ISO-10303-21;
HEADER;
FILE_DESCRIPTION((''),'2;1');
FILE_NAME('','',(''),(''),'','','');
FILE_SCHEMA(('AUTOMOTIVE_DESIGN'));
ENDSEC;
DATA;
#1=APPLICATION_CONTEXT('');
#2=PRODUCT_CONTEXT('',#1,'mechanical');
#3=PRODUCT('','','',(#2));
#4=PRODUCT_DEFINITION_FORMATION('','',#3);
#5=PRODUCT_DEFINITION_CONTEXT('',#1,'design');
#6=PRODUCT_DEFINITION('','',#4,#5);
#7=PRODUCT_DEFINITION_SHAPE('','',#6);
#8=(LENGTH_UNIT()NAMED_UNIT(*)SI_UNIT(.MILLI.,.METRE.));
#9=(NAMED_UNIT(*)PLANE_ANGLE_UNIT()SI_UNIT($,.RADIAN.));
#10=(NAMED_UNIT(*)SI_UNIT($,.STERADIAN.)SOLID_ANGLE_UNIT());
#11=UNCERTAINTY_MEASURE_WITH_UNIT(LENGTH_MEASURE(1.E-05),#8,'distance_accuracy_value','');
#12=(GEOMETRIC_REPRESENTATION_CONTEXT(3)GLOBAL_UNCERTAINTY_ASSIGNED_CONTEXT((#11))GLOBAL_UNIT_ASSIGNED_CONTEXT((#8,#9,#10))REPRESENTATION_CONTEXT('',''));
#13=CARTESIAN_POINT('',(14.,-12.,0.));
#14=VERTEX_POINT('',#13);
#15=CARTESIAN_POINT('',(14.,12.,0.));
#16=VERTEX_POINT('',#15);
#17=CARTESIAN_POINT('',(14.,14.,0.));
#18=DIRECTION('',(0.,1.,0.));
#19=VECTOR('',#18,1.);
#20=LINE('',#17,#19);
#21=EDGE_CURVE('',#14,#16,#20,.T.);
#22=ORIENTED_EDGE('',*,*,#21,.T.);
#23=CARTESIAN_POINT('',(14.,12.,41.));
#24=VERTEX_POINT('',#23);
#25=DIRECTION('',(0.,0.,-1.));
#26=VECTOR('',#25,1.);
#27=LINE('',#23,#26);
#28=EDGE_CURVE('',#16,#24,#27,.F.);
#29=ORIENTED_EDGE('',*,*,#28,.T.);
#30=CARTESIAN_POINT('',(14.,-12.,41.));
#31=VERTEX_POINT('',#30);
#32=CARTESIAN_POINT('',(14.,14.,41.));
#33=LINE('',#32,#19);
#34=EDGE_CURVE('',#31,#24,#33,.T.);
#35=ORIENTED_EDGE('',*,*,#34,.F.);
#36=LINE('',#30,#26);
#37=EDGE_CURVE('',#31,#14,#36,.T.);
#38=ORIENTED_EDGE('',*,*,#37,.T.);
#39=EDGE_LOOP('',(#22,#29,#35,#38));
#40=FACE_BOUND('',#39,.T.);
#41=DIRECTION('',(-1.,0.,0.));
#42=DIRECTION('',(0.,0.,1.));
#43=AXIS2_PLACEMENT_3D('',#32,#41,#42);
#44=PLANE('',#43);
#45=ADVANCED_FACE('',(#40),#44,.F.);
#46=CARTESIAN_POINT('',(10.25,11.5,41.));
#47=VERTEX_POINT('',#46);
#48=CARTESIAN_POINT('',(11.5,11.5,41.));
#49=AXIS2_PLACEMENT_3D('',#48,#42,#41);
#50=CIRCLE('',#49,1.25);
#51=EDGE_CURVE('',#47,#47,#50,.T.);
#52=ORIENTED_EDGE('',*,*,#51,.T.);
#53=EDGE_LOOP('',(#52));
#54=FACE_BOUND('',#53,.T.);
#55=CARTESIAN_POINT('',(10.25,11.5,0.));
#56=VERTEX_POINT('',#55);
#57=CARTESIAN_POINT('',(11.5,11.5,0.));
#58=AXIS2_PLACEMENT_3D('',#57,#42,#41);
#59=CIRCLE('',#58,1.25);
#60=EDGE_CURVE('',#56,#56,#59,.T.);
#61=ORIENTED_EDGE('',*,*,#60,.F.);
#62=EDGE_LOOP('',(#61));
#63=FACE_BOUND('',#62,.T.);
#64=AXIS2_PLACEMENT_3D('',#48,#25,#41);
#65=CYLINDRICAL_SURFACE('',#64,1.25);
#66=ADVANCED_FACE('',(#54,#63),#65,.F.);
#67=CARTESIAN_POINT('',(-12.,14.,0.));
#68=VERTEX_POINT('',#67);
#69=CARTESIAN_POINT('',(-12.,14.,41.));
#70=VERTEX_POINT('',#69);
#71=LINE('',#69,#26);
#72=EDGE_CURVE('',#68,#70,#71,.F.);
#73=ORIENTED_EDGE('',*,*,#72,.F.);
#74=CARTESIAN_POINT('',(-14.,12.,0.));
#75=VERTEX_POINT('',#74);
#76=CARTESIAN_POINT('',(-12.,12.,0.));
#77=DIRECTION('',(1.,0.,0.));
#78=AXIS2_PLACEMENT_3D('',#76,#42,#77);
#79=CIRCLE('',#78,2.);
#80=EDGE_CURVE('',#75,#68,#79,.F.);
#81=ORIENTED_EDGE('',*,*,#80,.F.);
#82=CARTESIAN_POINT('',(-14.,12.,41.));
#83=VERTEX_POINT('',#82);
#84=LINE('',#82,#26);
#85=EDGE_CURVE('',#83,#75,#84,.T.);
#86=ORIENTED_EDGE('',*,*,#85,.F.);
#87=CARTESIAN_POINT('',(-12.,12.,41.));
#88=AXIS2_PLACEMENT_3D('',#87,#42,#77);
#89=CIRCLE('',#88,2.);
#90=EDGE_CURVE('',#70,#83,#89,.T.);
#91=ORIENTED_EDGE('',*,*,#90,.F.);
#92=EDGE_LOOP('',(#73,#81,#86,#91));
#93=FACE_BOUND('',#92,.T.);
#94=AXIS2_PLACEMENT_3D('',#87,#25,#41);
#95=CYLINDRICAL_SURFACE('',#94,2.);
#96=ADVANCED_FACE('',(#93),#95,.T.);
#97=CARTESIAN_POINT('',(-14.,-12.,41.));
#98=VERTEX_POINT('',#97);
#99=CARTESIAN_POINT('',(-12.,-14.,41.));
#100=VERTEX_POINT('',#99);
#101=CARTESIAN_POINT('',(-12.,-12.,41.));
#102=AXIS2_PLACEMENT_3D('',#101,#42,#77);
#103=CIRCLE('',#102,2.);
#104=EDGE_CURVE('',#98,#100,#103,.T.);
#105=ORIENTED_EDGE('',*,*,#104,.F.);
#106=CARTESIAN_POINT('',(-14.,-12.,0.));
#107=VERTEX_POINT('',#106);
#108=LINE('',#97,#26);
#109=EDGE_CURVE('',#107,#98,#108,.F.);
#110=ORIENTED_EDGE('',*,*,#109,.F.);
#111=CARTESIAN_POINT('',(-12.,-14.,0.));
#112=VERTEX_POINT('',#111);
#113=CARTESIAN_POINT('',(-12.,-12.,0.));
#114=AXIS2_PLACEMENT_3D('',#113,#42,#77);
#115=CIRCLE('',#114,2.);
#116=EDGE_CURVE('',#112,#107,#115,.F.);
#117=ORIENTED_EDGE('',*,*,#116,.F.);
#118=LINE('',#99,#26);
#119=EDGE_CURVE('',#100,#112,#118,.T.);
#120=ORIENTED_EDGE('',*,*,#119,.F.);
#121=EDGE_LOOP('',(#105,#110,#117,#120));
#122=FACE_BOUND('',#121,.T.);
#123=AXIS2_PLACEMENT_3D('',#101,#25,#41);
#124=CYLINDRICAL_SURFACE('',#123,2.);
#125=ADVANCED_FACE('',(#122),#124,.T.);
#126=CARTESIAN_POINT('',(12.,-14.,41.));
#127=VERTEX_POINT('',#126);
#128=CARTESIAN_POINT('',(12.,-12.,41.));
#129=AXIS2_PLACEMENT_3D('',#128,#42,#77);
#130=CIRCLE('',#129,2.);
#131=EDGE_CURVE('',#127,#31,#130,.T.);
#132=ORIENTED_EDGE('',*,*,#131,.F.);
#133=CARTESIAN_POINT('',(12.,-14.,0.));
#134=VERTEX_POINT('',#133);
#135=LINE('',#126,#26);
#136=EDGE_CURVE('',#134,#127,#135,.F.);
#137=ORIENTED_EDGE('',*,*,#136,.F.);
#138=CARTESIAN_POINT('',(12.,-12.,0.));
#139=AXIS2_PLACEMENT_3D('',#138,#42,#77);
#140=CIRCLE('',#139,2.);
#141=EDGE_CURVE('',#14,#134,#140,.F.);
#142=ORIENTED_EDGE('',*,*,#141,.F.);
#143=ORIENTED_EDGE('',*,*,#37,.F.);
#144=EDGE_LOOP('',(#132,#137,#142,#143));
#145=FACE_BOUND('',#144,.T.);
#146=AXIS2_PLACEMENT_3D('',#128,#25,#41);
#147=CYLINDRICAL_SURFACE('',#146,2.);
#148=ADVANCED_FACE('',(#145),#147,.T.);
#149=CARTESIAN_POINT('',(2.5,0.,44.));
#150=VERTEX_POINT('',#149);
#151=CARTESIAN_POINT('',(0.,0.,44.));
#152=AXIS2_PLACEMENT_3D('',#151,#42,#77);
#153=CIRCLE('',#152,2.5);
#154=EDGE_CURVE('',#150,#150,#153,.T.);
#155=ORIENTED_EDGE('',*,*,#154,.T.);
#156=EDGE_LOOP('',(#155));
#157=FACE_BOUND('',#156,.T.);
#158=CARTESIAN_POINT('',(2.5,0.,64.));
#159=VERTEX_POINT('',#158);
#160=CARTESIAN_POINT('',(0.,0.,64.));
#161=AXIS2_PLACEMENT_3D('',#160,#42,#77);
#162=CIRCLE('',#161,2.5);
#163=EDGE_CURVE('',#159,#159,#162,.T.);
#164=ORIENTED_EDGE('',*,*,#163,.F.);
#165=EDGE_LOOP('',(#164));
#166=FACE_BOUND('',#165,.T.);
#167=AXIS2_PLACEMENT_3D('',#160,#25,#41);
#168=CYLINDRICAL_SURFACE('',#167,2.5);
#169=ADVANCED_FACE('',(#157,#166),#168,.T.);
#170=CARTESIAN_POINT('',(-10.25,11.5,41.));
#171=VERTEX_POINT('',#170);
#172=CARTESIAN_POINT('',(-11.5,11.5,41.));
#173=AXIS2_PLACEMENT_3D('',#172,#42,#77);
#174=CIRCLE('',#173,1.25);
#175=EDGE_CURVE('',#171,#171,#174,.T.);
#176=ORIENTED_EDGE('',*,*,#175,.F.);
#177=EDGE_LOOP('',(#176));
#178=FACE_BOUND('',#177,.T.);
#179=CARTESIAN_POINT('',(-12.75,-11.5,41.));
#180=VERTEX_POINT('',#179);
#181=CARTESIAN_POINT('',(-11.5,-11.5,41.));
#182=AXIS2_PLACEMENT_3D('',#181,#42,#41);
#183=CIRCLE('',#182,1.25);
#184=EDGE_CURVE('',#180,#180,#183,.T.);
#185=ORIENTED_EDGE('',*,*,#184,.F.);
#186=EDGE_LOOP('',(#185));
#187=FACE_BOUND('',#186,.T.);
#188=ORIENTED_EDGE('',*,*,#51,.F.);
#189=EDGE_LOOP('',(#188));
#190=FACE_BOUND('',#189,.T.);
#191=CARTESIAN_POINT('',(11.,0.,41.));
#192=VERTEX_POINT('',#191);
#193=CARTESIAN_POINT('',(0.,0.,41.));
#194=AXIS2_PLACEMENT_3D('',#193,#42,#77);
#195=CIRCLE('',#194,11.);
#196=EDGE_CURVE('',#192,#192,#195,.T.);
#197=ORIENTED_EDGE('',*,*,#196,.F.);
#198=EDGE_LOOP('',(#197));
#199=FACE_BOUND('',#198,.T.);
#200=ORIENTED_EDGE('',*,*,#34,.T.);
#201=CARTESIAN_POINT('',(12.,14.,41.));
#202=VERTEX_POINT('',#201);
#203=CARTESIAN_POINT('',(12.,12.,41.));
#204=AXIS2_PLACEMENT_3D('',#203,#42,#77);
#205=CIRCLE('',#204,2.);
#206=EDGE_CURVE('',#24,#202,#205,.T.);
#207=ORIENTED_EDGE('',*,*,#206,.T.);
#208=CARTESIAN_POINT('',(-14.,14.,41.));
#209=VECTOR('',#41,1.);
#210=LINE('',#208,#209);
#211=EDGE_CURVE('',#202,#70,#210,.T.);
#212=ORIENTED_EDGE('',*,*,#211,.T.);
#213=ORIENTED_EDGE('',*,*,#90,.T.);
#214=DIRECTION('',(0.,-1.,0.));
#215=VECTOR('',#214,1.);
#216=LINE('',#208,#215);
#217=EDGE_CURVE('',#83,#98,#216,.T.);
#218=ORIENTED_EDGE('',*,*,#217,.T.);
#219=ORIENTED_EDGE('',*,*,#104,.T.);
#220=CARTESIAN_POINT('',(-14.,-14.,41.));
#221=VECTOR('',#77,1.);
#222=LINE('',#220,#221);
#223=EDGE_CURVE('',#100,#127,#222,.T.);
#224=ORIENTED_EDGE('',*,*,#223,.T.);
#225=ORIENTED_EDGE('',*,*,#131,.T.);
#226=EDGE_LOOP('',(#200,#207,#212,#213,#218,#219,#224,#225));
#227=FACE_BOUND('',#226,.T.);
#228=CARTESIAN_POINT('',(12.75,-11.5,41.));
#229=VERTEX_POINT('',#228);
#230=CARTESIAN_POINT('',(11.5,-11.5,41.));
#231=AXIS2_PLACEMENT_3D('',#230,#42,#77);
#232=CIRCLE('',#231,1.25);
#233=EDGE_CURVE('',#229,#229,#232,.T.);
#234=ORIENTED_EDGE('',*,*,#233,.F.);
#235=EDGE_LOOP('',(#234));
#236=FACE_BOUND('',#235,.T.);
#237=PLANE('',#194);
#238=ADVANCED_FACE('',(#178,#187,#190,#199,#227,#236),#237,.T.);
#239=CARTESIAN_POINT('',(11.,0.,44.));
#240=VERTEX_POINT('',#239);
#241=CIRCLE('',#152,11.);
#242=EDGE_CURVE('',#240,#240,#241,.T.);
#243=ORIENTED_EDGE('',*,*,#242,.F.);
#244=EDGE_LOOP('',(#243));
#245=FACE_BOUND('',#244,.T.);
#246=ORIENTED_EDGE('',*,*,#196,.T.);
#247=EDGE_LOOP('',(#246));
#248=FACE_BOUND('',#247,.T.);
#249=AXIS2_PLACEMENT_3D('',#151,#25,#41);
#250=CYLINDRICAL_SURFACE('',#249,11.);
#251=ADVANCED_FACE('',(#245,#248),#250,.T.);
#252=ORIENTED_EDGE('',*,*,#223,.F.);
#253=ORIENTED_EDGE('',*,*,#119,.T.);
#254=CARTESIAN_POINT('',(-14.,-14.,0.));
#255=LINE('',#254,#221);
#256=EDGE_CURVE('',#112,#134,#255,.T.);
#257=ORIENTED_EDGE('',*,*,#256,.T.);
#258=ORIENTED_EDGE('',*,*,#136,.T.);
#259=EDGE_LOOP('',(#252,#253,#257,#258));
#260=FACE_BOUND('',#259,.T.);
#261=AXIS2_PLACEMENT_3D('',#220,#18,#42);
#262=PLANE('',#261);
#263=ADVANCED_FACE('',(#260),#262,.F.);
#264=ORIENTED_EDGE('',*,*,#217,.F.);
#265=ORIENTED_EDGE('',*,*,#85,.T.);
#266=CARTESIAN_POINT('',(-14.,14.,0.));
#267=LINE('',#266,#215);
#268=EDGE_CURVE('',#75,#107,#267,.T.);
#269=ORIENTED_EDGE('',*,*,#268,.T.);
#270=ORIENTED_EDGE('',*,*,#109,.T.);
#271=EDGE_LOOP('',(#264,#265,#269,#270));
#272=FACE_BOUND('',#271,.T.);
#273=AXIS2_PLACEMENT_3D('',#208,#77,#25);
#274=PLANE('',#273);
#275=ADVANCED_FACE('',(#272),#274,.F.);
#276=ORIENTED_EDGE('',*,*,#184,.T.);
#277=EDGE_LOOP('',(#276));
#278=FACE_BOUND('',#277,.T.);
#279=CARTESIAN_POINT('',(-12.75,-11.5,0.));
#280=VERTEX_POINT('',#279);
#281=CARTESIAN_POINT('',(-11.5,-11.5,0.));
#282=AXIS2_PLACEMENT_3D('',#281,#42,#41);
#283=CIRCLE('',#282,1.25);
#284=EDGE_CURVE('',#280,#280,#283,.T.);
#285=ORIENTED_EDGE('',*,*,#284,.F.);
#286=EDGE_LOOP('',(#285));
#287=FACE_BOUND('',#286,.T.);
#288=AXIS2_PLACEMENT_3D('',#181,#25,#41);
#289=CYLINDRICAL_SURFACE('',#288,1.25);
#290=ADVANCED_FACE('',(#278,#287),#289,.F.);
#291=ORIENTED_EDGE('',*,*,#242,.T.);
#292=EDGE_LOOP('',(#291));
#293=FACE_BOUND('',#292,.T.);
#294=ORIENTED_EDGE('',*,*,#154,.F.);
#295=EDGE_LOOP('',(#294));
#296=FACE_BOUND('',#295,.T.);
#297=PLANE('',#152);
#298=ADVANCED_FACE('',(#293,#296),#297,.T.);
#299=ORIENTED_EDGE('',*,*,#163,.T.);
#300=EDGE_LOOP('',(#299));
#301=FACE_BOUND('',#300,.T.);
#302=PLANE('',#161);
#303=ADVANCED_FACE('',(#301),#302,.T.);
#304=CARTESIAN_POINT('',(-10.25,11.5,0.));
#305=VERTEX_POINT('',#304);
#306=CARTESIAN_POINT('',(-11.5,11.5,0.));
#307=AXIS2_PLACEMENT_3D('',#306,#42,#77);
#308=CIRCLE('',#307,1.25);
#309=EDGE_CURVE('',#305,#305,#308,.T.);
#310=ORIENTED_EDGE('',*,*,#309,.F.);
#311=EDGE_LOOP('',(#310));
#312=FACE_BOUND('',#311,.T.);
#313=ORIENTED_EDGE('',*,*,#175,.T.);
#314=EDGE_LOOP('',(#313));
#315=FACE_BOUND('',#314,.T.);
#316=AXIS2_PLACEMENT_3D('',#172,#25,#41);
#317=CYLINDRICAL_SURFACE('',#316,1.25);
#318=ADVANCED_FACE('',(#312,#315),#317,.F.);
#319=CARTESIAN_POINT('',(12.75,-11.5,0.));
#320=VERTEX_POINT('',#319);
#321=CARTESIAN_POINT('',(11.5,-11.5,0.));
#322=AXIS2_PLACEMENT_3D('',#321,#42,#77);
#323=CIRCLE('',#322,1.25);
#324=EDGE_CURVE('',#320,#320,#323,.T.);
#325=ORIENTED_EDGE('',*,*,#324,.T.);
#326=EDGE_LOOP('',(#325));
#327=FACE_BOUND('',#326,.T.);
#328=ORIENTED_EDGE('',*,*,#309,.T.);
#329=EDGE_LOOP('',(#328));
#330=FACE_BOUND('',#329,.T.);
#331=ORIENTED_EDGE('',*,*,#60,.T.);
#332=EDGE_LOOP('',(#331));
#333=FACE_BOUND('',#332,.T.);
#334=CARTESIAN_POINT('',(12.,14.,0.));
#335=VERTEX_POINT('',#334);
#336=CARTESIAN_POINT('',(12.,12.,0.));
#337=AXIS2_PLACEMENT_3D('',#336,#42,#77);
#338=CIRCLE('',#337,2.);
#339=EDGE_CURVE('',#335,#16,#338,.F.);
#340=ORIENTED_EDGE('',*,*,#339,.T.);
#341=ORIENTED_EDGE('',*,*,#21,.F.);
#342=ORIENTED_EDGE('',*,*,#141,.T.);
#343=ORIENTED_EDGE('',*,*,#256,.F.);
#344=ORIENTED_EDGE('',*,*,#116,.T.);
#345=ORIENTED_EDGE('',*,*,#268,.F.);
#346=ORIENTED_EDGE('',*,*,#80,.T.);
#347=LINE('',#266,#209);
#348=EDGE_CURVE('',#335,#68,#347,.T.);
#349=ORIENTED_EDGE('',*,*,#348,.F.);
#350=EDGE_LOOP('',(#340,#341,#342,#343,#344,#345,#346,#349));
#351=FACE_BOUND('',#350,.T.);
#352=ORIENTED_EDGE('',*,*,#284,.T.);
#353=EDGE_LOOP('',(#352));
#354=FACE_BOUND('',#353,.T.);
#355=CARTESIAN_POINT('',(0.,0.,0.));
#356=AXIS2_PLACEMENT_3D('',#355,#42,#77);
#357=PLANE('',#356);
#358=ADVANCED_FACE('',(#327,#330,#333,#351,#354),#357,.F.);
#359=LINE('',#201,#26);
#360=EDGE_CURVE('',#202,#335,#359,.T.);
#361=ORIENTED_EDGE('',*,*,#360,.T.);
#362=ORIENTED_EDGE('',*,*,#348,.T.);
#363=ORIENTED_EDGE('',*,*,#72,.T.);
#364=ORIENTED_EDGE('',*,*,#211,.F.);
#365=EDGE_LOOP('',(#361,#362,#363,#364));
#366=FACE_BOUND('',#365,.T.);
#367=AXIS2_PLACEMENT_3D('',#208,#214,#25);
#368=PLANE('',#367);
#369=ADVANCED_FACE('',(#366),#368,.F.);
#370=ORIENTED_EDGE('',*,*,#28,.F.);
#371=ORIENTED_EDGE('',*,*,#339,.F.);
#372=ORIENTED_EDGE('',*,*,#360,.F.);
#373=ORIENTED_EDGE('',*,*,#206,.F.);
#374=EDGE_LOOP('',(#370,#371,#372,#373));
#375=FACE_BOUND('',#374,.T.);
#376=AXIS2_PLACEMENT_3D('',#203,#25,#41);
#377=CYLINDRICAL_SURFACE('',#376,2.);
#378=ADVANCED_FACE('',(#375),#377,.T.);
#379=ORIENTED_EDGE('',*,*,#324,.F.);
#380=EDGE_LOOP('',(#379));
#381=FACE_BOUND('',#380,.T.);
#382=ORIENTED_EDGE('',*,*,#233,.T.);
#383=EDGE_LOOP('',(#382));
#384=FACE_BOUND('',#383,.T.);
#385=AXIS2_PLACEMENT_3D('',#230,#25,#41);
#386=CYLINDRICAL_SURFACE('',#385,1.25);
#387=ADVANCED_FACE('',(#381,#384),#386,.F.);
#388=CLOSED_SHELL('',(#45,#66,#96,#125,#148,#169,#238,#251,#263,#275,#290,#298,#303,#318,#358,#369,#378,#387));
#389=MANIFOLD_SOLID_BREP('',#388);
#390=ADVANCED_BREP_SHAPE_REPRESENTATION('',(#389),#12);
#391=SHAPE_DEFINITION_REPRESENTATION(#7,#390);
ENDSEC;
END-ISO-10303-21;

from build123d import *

# Parameters (mm, degrees)
SKETCH_1_W      = 28
SKETCH_1_H      = 28
SKETCH_1_R      = 1.25
EXTRUDE_1_DEPTH = 41
SKETCH_2_R      = 11
EXTRUDE_2_DEPTH = 3
SKETCH_3_R      = 2.5
EXTRUDE_3_DEPTH = 20
FILLET_1_R      = 2


with BuildPart() as part:
    # 草图1 → 凸台-拉伸1 (new body)
    with BuildSketch(Plane.XY):
        Rectangle(SKETCH_1_W, SKETCH_1_H)
        with Locations((-11.5, 11.5)):
            Circle(SKETCH_1_R, mode=Mode.SUBTRACT)
        with Locations((11.5, 11.5)):
            Circle(SKETCH_1_R, mode=Mode.SUBTRACT)
        with Locations((11.5, -11.5)):
            Circle(SKETCH_1_R, mode=Mode.SUBTRACT)
        with Locations((-11.5, -11.5)):
            Circle(SKETCH_1_R, mode=Mode.SUBTRACT)
    extrude(amount=EXTRUDE_1_DEPTH)

    # 草图2 → 凸台-拉伸2 (add)
    with BuildSketch(Plane.XY.offset(41)):
        Circle(SKETCH_2_R)
    extrude(amount=EXTRUDE_2_DEPTH)

    # 草图3 → 凸台-拉伸3 (add)
    with BuildSketch(Plane.XY.offset(44)):
        Circle(SKETCH_3_R)
    extrude(amount=EXTRUDE_3_DEPTH)

    # 圆角1
    fillet_1_edges = [part.edges().sort_by_distance(p)[0] for p in [
        (14, -14, 20.5),
        (-14, -14, 20.5),
        (-14, 14, 20.5),
        (14, 14, 20.5),
    ]]
    fillet(fillet_1_edges, radius=FILLET_1_R)


solid = part.part
